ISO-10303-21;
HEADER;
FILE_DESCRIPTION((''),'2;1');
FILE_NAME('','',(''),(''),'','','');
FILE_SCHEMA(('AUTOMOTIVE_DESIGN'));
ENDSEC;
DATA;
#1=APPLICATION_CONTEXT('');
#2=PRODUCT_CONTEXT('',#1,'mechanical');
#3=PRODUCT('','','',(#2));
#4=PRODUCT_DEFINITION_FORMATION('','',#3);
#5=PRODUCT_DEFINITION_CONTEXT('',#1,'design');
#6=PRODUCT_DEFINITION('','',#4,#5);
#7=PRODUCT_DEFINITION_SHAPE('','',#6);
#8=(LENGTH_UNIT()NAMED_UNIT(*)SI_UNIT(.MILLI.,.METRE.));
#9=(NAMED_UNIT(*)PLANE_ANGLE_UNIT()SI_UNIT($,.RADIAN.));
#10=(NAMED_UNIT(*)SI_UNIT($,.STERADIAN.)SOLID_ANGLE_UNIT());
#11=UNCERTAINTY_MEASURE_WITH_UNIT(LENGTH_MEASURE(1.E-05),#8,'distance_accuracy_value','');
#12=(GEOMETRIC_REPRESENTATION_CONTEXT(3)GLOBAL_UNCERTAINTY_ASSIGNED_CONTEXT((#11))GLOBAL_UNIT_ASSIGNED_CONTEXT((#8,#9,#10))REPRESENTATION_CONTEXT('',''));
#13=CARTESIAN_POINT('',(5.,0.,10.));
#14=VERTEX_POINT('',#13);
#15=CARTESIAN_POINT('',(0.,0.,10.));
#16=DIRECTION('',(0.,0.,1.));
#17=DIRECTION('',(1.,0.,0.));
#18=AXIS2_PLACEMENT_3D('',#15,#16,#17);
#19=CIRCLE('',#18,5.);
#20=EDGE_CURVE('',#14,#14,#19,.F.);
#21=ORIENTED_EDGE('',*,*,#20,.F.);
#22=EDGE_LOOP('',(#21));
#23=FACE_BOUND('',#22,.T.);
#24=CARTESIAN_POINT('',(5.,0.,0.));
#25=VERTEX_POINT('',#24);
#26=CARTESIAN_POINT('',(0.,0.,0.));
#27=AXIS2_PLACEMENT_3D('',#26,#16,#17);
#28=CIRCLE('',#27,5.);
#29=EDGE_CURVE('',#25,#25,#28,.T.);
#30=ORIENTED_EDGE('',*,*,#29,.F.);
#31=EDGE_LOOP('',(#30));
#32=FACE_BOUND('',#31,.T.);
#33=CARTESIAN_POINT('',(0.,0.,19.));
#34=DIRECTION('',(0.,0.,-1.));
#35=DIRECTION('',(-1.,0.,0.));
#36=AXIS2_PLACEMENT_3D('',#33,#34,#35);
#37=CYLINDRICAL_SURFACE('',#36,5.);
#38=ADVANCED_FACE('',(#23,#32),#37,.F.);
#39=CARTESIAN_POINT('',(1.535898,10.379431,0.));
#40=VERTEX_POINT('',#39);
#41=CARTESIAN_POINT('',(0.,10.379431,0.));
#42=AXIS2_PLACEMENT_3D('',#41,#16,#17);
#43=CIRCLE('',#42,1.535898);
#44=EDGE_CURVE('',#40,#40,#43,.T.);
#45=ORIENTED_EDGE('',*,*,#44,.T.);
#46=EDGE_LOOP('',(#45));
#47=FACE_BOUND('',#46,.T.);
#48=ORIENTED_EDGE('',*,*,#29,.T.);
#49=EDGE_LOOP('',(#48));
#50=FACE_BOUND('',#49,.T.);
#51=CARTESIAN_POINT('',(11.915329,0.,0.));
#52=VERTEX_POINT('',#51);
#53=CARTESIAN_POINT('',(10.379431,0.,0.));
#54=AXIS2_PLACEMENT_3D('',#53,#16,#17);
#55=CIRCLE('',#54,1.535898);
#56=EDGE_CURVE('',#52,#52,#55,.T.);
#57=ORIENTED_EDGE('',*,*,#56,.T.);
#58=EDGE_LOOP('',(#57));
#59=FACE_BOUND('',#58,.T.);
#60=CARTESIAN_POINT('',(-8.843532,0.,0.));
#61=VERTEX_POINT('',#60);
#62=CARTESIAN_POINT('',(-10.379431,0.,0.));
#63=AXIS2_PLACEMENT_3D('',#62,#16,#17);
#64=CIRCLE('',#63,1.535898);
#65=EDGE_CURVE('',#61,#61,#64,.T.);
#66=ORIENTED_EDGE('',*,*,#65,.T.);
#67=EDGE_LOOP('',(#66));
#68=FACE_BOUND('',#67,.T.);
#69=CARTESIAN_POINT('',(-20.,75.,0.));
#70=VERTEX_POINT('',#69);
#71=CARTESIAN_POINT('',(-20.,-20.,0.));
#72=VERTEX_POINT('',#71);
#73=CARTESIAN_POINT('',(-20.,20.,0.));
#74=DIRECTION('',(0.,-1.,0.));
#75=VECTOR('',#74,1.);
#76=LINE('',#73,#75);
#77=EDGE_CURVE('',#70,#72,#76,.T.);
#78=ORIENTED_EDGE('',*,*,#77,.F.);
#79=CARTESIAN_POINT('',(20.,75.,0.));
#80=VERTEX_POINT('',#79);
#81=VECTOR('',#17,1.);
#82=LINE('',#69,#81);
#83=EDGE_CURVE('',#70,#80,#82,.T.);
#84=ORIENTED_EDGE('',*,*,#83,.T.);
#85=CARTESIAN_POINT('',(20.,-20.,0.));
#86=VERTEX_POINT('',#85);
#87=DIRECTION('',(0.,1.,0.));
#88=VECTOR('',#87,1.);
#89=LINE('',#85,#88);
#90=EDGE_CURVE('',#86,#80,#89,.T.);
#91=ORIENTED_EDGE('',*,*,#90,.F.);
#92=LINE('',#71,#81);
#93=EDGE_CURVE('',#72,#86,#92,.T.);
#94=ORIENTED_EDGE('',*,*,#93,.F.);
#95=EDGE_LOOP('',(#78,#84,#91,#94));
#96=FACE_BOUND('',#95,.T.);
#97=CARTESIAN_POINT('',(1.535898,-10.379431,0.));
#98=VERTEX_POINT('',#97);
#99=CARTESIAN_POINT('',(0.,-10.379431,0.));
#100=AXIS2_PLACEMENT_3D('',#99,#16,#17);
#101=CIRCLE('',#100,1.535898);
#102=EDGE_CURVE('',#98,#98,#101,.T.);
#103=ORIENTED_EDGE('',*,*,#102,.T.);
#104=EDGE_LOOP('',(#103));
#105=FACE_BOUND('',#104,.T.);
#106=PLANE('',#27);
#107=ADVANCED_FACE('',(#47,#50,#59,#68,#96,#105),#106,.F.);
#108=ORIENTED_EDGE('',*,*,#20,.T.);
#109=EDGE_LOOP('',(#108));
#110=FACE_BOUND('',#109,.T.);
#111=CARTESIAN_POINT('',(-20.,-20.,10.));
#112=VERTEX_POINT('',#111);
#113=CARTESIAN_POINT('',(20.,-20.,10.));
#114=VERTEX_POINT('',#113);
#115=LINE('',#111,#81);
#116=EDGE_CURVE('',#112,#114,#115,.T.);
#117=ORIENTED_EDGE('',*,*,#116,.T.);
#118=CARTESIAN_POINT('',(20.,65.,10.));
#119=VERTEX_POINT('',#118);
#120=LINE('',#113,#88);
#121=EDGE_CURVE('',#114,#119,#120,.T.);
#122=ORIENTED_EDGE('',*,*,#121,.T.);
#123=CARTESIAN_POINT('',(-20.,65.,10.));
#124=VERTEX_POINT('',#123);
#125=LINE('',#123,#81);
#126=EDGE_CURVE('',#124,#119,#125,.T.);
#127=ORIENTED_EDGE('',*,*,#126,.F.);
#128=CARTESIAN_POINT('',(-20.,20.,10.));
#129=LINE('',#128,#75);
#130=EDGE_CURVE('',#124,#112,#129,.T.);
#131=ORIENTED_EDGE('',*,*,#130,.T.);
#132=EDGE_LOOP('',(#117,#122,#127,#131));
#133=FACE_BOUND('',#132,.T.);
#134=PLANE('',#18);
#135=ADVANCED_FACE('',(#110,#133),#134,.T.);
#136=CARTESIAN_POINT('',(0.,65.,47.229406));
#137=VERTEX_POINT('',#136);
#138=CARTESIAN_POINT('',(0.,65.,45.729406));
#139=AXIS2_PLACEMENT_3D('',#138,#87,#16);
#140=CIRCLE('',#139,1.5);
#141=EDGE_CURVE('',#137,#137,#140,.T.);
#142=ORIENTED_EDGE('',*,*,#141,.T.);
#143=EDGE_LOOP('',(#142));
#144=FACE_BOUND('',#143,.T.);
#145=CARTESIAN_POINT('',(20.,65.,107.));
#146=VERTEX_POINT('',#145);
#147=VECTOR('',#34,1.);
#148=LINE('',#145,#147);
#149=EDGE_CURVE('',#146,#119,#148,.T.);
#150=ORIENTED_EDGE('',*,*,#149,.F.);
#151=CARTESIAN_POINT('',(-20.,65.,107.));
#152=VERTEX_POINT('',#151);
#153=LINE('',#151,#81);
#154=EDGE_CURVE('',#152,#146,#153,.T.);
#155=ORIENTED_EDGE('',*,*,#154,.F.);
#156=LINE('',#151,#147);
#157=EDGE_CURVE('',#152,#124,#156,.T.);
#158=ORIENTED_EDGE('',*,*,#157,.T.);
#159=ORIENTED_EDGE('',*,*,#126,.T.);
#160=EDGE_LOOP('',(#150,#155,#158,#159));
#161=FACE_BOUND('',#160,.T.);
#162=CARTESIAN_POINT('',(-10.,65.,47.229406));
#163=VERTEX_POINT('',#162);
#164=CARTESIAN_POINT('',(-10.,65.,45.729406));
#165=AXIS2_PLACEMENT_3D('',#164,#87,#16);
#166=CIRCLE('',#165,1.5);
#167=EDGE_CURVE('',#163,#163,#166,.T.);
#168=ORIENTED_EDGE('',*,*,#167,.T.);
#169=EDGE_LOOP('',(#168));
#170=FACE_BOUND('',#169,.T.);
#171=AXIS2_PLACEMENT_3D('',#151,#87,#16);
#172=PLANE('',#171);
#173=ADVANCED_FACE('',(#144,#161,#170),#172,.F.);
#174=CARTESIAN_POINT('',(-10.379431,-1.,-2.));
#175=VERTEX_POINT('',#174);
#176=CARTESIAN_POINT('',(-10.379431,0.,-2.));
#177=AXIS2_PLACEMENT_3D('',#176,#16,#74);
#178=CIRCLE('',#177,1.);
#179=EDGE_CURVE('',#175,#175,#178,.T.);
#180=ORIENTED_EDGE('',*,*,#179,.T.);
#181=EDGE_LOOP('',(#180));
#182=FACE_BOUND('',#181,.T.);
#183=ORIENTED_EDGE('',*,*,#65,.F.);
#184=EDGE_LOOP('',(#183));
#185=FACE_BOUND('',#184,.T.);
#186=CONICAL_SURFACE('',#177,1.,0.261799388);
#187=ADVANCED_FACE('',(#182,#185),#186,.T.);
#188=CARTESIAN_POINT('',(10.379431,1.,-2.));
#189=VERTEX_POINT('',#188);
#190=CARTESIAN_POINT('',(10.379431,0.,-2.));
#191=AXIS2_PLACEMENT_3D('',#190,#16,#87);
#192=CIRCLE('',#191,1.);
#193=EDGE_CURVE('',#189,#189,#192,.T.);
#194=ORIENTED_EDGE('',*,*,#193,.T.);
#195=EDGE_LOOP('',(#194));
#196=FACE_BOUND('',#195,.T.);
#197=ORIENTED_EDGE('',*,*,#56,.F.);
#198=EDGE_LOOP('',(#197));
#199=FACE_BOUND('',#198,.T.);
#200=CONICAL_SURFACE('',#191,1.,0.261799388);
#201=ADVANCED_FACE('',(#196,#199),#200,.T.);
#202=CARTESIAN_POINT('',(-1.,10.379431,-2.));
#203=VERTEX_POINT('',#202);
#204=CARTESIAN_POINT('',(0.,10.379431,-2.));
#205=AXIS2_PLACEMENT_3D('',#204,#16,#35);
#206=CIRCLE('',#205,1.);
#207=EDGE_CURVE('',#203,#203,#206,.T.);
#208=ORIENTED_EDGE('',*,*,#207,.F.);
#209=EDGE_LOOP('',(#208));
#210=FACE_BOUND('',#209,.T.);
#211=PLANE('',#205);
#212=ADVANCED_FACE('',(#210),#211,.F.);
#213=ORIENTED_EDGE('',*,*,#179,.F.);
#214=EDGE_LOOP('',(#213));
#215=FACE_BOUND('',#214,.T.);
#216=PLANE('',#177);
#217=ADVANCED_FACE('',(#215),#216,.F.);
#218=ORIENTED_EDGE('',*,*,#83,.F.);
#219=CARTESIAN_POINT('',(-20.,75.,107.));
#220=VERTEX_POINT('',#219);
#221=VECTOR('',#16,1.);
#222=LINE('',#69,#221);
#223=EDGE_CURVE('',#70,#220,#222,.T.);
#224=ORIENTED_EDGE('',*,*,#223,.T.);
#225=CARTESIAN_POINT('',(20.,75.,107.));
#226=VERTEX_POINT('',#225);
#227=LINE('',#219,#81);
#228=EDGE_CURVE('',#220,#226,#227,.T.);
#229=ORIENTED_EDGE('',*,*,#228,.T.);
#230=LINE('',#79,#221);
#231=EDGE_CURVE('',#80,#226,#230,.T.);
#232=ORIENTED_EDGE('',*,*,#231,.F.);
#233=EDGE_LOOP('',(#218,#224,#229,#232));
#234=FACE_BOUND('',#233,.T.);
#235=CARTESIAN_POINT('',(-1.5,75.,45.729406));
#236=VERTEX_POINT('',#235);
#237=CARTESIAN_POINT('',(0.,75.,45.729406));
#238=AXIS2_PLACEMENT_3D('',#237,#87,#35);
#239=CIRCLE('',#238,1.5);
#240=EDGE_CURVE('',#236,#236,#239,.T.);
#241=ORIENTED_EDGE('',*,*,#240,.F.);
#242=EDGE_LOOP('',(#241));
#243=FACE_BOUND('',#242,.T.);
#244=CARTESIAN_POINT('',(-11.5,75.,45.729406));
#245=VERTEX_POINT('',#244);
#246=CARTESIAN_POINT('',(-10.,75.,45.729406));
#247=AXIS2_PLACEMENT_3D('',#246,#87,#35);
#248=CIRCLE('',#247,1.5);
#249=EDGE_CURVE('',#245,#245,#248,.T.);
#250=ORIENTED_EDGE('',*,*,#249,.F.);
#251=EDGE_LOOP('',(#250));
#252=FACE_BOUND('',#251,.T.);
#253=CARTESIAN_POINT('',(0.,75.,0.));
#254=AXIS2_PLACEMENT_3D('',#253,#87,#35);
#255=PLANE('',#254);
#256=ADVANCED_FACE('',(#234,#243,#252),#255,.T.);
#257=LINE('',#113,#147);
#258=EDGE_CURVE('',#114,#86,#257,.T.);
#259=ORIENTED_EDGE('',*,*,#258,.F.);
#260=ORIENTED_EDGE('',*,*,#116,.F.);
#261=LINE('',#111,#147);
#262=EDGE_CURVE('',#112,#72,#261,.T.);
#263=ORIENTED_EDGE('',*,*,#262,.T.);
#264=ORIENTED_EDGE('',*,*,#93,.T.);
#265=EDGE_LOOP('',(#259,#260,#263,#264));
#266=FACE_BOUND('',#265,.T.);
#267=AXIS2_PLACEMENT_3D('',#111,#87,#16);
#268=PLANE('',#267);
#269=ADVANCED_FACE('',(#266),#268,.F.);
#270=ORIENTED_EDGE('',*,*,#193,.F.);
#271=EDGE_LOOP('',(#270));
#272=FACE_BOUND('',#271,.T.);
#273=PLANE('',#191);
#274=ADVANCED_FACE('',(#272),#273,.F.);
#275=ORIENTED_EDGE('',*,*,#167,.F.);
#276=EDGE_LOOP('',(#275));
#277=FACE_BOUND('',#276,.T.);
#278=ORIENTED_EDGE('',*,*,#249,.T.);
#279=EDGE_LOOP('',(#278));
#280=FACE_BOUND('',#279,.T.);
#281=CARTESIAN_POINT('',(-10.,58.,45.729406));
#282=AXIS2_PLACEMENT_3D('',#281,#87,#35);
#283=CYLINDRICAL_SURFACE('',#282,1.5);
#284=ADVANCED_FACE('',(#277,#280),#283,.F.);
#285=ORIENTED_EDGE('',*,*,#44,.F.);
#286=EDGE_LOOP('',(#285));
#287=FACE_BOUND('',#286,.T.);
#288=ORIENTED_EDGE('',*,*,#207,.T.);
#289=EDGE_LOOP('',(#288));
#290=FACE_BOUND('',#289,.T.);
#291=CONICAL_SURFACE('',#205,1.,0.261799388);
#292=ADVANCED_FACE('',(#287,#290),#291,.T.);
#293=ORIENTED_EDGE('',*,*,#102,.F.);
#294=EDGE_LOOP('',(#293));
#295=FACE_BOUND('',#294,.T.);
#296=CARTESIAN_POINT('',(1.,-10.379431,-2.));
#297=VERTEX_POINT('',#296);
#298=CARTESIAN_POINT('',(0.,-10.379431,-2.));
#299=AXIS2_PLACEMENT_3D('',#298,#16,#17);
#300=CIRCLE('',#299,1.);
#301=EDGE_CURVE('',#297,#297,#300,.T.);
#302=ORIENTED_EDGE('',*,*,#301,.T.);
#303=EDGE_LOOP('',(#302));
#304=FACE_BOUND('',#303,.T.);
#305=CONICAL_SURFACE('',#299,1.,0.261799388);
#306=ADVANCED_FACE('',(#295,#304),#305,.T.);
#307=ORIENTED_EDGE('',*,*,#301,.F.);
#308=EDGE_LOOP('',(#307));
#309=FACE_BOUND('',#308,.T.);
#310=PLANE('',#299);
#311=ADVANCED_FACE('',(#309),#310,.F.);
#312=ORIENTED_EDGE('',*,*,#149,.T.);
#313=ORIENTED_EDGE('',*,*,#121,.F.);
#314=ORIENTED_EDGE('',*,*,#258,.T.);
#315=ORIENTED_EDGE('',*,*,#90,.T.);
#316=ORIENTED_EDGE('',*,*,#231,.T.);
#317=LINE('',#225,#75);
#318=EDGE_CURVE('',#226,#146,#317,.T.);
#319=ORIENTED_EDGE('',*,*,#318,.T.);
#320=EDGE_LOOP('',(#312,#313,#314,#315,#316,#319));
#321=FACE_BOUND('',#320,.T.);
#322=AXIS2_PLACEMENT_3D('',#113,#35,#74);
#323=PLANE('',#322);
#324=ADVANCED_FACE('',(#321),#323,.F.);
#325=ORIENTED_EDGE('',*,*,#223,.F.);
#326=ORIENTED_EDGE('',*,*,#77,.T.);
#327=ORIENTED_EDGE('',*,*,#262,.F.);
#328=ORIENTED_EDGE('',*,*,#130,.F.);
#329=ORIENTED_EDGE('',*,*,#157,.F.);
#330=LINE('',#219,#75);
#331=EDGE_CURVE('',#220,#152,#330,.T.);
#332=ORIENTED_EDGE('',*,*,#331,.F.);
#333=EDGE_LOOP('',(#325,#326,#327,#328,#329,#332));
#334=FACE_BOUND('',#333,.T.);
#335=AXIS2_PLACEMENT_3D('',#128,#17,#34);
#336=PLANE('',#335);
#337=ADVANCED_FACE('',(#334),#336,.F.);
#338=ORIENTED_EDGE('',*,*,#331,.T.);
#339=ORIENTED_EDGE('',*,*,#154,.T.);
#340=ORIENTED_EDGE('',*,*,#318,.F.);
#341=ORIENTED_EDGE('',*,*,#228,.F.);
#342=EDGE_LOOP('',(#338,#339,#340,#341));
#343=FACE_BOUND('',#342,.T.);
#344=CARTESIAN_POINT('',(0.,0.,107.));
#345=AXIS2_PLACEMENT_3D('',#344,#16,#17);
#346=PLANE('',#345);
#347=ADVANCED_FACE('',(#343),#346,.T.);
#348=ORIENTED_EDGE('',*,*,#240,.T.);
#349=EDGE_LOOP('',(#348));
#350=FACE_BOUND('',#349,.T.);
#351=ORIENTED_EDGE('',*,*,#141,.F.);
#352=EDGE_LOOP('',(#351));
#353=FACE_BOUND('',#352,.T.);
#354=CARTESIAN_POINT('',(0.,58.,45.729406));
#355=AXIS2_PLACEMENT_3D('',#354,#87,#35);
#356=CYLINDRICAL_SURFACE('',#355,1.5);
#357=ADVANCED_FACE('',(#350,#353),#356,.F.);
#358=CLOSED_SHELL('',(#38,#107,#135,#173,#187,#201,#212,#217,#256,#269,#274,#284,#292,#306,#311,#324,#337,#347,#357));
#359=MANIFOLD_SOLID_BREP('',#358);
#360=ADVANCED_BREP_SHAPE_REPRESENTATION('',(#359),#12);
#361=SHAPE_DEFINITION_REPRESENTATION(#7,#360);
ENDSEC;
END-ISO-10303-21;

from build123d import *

# Parameters (mm, degrees)
SKETCH_4_W               = 40
SKETCH_4_H               = 40
EXTRUDE_1_DEPTH          = 10
SKETCH_1_R               = 5
CUT_EXTRUDE_1_DEPTH      = 19
SKETCH_5_W               = 40
SKETCH_5_H               = 10
EXTRUDE_2_DEPTH          = 55
SKETCH_6_W               = 40
SKETCH_6_H               = 10
EXTRUDE_3_DEPTH          = 97
SKETCH_7_R               = 1.5
CUT_EXTRUDE_2_DEPTH      = 17
PATTERN_LINEAR_1_COUNT   = 2
PATTERN_LINEAR_1_PITCH   = 10
SKETCH_10_R              = 1
EXTRUDE_5_DEPTH          = 2
PATTERN_CIRCULAR_3_COUNT = 4
DRAFT_2_ANGLE            = 15
DRAFT_3_ANGLE            = 15
DRAFT_4_ANGLE            = 15
DRAFT_5_ANGLE            = 15


with BuildPart() as part:
    # 草图4 → 凸台-拉伸1 (new body)
    with BuildSketch(Plane.XY):
        Rectangle(SKETCH_4_W, SKETCH_4_H)
    extrude(amount=EXTRUDE_1_DEPTH)

    # 草图1 → 切除-拉伸1 (cut)
    with BuildSketch(Plane.XY):
        Circle(SKETCH_1_R)
    extrude(amount=CUT_EXTRUDE_1_DEPTH, mode=Mode.SUBTRACT)

    # 草图5 → 凸台-拉伸2 (add)
    with BuildSketch(Plane(origin=(0, 20, 0), x_dir=(1, 0, 0), z_dir=(0, 1, 0))):
        with Locations((0, -5)):
            Rectangle(SKETCH_5_W, SKETCH_5_H)
    extrude(amount=EXTRUDE_2_DEPTH)

    # 草图6 → 凸台-拉伸3 (add)
    with BuildSketch(Plane.XY.offset(10)):
        with Locations((0, 70)):
            Rectangle(SKETCH_6_W, SKETCH_6_H)
    extrude(amount=EXTRUDE_3_DEPTH)

    # 草图7 → 切除-拉伸2 (cut)
    with BuildSketch(Plane(origin=(0, 75, 0), x_dir=(1, 0, 0), z_dir=(0, 1, 0))):
        with Locations((0, -45.729405638)):
            Circle(SKETCH_7_R)
    cut_extrude_2 = extrude(amount=-CUT_EXTRUDE_2_DEPTH, mode=Mode.SUBTRACT)

    # 阵列(线性)1: 切除-拉伸2 ×2
    with Locations(*[(-i * PATTERN_LINEAR_1_PITCH, 0, 0) for i in range(1, PATTERN_LINEAR_1_COUNT)]):
        add(cut_extrude_2, mode=Mode.SUBTRACT)

    # 草图10 → 凸台-拉伸5 (add)
    with BuildSketch(Plane.XY):
        with Locations((0, -10.379430626)):
            Circle(SKETCH_10_R)
    extrude_5 = extrude(amount=-EXTRUDE_5_DEPTH)

    # 阵列(圆周)3: 凸台-拉伸5 ×4 about axis
    pattern_circular_3_axis = Axis((0, 0, 0), (0, 0, 1))
    for i in range(1, PATTERN_CIRCULAR_3_COUNT):
        add(extrude_5.rotate(pattern_circular_3_axis, i * 360 / PATTERN_CIRCULAR_3_COUNT))

    # 拔模2
    draft_2_faces = [part.faces().sort_by_distance(p)[0] for p in [
        (-1, -10.379430626, -1),
    ]]
    draft(draft_2_faces, Plane(origin=(0, -10.379430626, -2), x_dir=(-1, 0, 0), z_dir=(0, 0, -1)), DRAFT_2_ANGLE)

    # 拔模3
    draft_3_faces = [part.faces().sort_by_distance(p)[0] for p in [
        (10.379430626, -1, -1),
    ]]
    draft(draft_3_faces, Plane(origin=(10.379430626, 0, -2), x_dir=(-1, 0, 0), z_dir=(0, 0, -1)), DRAFT_3_ANGLE)

    # 拔模4
    draft_4_faces = [part.faces().sort_by_distance(p)[0] for p in [
        (1, 10.379430626, -1),
    ]]
    draft(draft_4_faces, Plane(origin=(0, 10.379430626, -2), x_dir=(-1, 0, 0), z_dir=(0, 0, -1)), DRAFT_4_ANGLE)

    # 拔模5
    draft_5_faces = [part.faces().sort_by_distance(p)[0] for p in [
        (-10.379430626, 1, -1),
    ]]
    draft(draft_5_faces, Plane(origin=(-10.379430626, 0, -2), x_dir=(-1, 0, 0), z_dir=(0, 0, -1)), DRAFT_5_ANGLE)


solid = part.part
